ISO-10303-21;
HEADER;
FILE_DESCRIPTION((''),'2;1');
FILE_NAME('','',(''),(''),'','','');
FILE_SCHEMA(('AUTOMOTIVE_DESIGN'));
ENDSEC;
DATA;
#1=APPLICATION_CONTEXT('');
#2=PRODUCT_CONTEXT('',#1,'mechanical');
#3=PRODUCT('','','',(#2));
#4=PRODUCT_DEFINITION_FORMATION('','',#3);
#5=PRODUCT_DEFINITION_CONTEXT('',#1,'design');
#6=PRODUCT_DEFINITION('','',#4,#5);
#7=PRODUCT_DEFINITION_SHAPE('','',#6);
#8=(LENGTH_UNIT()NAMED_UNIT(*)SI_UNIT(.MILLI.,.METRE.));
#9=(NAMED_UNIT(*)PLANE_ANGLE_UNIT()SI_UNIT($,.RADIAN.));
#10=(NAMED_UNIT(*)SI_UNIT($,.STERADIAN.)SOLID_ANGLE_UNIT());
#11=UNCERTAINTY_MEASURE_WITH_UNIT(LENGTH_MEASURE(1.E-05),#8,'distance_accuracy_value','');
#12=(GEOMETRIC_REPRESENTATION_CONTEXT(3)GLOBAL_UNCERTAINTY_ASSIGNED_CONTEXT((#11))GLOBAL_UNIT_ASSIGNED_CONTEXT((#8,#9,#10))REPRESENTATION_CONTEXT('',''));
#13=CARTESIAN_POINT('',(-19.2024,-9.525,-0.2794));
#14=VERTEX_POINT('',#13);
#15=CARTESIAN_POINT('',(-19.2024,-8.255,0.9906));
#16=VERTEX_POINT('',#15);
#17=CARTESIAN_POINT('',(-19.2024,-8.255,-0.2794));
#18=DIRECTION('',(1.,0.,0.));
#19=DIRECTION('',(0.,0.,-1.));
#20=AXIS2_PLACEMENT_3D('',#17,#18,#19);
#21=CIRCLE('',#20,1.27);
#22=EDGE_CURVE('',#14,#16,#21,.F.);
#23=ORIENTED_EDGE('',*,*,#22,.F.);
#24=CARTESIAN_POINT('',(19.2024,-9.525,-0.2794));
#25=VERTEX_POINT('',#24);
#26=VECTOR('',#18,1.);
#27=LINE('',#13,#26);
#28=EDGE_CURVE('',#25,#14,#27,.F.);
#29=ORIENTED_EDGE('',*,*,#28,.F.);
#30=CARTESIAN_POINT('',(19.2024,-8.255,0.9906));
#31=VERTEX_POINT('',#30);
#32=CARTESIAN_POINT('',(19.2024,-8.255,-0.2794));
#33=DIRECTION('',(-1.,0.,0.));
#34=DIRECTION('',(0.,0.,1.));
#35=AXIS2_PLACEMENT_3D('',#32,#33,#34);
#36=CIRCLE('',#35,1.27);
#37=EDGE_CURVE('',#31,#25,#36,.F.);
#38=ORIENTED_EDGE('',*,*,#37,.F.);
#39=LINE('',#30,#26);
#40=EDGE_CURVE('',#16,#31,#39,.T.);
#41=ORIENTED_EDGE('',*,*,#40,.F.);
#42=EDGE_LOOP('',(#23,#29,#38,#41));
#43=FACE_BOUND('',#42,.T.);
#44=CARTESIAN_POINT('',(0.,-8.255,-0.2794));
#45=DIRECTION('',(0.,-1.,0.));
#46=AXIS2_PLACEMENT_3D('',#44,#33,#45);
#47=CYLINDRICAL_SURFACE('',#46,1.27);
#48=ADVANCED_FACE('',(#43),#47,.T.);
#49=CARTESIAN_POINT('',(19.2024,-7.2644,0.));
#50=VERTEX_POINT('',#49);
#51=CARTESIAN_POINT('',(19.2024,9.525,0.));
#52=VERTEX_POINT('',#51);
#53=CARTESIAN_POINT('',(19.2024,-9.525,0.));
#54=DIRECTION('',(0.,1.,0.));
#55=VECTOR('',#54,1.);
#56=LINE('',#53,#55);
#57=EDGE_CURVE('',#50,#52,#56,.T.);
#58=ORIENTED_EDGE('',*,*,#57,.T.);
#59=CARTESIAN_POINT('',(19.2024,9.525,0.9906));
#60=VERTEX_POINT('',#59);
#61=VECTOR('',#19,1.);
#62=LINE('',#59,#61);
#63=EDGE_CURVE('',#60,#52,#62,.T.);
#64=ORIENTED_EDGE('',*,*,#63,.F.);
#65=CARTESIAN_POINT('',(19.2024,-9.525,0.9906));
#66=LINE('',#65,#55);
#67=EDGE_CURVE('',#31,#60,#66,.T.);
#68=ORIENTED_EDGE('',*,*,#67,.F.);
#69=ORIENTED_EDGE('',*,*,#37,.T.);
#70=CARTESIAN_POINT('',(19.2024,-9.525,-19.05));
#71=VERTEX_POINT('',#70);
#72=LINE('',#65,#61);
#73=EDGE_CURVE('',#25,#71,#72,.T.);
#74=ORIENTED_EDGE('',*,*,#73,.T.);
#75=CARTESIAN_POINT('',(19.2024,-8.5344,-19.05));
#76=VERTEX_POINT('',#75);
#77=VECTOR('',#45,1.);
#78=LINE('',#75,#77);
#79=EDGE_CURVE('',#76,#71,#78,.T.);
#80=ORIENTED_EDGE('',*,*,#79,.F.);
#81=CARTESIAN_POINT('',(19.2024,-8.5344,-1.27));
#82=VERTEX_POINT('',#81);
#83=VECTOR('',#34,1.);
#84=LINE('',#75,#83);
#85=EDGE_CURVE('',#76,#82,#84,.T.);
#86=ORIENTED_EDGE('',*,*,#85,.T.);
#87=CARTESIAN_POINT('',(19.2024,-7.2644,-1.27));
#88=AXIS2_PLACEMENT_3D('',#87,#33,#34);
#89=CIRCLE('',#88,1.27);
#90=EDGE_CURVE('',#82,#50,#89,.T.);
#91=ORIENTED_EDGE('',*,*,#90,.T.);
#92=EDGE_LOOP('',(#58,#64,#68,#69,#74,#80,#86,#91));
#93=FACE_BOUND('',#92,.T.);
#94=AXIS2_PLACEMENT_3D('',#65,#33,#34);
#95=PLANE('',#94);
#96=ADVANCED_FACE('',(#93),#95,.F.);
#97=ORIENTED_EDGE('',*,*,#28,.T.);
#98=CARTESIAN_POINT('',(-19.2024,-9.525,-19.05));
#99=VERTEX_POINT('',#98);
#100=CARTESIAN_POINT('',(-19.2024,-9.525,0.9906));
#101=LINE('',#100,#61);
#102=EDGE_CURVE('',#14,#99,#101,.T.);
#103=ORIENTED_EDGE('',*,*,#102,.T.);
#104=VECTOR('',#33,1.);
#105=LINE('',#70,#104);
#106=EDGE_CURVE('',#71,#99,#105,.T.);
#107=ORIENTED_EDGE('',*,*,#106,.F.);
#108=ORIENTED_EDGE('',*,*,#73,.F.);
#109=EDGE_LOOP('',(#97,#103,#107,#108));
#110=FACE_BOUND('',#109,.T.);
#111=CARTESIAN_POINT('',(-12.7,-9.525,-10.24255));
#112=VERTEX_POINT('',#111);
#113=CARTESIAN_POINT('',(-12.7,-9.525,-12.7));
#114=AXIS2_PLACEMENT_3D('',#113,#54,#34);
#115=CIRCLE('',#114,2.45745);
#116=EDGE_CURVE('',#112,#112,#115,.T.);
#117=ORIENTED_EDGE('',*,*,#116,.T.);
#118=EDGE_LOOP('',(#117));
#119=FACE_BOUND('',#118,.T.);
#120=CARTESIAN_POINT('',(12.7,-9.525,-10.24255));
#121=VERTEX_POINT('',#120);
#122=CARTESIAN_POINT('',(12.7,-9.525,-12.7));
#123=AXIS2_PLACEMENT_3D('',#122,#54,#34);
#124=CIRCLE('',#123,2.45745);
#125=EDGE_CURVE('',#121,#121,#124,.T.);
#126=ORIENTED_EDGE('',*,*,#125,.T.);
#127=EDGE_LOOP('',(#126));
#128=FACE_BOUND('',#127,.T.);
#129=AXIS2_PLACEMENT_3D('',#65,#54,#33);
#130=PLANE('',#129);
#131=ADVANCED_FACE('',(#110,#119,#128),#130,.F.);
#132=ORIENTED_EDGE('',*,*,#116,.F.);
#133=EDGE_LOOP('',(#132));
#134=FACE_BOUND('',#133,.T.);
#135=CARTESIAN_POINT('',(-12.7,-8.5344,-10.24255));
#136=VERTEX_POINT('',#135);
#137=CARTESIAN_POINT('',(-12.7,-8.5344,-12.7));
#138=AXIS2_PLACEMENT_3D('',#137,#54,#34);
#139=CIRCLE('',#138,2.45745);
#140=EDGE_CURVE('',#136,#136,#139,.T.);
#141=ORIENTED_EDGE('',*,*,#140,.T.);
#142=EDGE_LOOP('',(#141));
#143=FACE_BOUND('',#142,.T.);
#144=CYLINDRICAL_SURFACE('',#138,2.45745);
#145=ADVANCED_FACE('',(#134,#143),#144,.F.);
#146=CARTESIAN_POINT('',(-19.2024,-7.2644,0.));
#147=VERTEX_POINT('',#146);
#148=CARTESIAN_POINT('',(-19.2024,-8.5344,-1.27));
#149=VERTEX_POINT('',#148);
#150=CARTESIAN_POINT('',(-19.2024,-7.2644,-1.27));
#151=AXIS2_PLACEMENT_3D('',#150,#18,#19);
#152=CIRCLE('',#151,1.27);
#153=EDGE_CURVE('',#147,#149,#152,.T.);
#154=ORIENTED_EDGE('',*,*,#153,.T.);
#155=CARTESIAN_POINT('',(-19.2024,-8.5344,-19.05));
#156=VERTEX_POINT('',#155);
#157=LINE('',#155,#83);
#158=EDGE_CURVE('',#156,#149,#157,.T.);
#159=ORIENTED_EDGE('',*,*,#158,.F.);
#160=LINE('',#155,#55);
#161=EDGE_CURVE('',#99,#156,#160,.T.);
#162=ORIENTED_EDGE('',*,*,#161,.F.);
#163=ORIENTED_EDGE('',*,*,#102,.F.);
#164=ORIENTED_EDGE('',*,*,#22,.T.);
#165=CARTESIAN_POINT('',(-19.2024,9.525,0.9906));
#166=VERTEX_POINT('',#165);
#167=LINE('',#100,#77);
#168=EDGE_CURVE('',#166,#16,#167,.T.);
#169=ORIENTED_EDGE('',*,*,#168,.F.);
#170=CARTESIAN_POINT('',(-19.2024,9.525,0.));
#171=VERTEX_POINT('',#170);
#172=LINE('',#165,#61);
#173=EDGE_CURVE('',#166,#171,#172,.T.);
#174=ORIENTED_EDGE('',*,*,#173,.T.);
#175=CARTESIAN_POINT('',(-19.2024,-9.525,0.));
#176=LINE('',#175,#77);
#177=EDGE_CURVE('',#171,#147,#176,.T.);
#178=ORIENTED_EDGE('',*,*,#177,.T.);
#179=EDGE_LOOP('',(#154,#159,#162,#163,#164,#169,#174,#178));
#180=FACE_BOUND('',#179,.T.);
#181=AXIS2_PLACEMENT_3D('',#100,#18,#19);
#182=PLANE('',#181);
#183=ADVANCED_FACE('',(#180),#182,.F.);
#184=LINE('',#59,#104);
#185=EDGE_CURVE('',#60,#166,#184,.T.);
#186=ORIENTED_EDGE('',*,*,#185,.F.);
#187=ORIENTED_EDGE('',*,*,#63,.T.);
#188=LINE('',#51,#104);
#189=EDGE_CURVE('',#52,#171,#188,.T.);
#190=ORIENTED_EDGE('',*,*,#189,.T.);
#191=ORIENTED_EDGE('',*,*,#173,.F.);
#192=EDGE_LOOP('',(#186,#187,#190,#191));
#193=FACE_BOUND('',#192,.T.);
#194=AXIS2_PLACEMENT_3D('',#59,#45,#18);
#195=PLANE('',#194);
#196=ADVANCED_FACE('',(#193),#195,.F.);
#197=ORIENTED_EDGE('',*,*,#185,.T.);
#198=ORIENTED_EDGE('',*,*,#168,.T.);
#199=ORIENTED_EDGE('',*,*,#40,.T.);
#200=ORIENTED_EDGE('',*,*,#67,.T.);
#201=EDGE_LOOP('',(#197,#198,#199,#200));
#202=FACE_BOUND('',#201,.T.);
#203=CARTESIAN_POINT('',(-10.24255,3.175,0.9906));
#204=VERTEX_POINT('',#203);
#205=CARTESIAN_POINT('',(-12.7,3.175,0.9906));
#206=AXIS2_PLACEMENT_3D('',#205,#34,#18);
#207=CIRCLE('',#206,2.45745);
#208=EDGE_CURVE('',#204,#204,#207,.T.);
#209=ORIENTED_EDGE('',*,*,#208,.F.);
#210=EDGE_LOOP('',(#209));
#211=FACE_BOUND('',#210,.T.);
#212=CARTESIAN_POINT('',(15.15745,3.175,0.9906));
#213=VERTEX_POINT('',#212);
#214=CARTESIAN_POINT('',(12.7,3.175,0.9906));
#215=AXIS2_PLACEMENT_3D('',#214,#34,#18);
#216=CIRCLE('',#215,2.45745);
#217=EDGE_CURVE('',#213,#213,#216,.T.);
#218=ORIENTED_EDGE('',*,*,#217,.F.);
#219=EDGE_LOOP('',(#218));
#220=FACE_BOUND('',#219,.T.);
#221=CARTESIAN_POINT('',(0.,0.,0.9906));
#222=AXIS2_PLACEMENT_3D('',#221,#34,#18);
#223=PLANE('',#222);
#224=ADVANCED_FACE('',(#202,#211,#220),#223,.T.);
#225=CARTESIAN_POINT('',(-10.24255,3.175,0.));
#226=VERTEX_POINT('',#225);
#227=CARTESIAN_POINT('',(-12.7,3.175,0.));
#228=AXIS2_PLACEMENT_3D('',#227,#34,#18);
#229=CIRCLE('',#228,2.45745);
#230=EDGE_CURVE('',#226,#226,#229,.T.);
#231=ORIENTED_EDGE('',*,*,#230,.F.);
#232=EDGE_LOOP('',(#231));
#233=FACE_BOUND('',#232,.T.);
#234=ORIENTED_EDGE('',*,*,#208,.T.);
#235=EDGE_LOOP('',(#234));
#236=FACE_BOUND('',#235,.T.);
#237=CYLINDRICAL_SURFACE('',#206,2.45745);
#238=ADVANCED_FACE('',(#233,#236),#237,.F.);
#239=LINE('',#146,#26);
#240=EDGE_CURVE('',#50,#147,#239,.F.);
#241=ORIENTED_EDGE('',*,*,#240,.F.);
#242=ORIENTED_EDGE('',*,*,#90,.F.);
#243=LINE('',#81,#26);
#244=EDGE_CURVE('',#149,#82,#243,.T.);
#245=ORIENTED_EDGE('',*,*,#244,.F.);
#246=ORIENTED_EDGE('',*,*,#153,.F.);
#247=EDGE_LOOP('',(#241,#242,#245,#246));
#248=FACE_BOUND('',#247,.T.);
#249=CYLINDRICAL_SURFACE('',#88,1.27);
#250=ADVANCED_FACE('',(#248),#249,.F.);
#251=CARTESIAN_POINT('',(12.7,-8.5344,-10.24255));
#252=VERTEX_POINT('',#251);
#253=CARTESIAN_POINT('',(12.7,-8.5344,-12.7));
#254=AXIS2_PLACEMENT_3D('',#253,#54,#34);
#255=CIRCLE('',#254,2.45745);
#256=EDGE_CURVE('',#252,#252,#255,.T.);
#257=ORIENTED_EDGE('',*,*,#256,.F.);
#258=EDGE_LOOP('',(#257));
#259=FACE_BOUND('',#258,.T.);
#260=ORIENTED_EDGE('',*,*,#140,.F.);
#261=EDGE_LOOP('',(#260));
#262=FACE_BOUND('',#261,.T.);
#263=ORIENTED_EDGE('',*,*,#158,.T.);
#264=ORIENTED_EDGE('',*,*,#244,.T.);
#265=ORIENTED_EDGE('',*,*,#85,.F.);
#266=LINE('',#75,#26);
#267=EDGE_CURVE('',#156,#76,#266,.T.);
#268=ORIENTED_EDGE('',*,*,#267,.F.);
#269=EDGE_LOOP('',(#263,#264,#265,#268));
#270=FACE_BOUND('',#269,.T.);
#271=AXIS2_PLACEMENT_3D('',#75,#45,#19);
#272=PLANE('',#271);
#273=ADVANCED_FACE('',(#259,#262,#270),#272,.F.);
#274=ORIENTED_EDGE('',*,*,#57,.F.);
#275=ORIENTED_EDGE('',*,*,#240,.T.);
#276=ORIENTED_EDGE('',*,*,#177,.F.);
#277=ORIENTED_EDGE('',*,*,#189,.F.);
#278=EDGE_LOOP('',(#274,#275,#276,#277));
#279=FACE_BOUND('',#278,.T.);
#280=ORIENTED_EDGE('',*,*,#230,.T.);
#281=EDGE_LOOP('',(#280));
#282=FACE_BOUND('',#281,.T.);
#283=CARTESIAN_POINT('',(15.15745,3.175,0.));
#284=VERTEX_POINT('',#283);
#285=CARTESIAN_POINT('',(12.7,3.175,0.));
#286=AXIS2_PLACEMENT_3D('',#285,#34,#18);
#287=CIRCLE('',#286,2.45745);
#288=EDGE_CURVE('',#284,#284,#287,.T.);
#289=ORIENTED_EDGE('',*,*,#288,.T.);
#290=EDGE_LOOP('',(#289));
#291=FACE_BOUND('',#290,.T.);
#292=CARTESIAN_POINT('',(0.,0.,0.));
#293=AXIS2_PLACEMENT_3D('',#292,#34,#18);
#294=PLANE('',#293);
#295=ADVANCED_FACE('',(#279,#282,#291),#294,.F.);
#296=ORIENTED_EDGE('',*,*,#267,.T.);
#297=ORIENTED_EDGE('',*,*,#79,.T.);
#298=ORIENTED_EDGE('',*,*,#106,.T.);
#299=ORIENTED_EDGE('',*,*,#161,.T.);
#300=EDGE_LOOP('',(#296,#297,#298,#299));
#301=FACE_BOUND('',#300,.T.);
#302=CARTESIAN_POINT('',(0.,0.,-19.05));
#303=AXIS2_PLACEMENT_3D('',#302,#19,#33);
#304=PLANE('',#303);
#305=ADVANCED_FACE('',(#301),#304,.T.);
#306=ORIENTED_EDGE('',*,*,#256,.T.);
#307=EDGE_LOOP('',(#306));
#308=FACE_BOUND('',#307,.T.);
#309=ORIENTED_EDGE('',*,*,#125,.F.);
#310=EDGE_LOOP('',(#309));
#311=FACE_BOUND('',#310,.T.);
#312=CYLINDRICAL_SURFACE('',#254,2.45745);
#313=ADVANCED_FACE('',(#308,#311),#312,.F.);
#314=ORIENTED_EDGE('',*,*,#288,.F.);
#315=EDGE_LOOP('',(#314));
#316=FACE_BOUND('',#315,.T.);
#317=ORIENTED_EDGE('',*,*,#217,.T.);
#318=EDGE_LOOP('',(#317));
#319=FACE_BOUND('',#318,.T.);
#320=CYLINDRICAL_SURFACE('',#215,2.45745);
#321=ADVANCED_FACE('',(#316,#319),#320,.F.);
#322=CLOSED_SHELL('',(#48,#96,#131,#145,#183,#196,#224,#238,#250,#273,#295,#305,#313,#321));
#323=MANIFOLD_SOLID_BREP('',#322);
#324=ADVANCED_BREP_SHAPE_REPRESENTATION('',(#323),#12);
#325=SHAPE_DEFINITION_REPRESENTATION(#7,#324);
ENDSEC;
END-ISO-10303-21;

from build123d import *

# Parameters (mm, degrees)
SKETCH1_W                    = 38.4048
SKETCH1_H                    = 19.05
BOSS_EXTRUDE1_DEPTH          = 0.9906
F_10_0_1935_DIAMETER_HOLE1_D = 4.9149
SKETCH5_W                    = 38.4048
SKETCH5_H                    = 0.9906
BOSS_EXTRUDE2_DEPTH          = 19.05
F_10_0_1935_DIAMETER_HOLE2_D = 4.9149
FILLET1_R                    = 1.27


with BuildPart() as part:
    # Sketch1 → Boss-Extrude1 (new body)
    with BuildSketch(Plane.XY):
        Rectangle(SKETCH1_W, SKETCH1_H)
    extrude(amount=BOSS_EXTRUDE1_DEPTH)

    # #10 (0.1935) Diameter Hole1 (through all)
    with Locations(Plane.XY.offset(0.9906)):
        with Locations((-12.7, 3.175), (12.7, 3.175)):
            Hole(F_10_0_1935_DIAMETER_HOLE1_D / 2)

    # Sketch5 → Boss-Extrude2 (add)
    with BuildSketch(Plane(origin=(0, 0, 0), x_dir=(-1, 0, 0), z_dir=(0, 0, -1))):
        with Locations((0, -9.0297)):
            Rectangle(SKETCH5_W, SKETCH5_H)
    extrude(amount=BOSS_EXTRUDE2_DEPTH)

    # #10 (0.1935) Diameter Hole2 (through all)
    with Locations(Plane(origin=(0, -8.5344, 0), x_dir=(1, 0, 0), z_dir=(0, 1, 0))):
        with Locations((-12.7, 12.7), (12.7, 12.7)):
            Hole(F_10_0_1935_DIAMETER_HOLE2_D / 2)

    # Fillet1
    fillet1_edges = [part.edges().sort_by_distance(p)[0] for p in [
        (0, -8.5344, 0),
        (0, -9.525, 0.9906),
    ]]
    fillet(fillet1_edges, radius=FILLET1_R)


solid = part.part
